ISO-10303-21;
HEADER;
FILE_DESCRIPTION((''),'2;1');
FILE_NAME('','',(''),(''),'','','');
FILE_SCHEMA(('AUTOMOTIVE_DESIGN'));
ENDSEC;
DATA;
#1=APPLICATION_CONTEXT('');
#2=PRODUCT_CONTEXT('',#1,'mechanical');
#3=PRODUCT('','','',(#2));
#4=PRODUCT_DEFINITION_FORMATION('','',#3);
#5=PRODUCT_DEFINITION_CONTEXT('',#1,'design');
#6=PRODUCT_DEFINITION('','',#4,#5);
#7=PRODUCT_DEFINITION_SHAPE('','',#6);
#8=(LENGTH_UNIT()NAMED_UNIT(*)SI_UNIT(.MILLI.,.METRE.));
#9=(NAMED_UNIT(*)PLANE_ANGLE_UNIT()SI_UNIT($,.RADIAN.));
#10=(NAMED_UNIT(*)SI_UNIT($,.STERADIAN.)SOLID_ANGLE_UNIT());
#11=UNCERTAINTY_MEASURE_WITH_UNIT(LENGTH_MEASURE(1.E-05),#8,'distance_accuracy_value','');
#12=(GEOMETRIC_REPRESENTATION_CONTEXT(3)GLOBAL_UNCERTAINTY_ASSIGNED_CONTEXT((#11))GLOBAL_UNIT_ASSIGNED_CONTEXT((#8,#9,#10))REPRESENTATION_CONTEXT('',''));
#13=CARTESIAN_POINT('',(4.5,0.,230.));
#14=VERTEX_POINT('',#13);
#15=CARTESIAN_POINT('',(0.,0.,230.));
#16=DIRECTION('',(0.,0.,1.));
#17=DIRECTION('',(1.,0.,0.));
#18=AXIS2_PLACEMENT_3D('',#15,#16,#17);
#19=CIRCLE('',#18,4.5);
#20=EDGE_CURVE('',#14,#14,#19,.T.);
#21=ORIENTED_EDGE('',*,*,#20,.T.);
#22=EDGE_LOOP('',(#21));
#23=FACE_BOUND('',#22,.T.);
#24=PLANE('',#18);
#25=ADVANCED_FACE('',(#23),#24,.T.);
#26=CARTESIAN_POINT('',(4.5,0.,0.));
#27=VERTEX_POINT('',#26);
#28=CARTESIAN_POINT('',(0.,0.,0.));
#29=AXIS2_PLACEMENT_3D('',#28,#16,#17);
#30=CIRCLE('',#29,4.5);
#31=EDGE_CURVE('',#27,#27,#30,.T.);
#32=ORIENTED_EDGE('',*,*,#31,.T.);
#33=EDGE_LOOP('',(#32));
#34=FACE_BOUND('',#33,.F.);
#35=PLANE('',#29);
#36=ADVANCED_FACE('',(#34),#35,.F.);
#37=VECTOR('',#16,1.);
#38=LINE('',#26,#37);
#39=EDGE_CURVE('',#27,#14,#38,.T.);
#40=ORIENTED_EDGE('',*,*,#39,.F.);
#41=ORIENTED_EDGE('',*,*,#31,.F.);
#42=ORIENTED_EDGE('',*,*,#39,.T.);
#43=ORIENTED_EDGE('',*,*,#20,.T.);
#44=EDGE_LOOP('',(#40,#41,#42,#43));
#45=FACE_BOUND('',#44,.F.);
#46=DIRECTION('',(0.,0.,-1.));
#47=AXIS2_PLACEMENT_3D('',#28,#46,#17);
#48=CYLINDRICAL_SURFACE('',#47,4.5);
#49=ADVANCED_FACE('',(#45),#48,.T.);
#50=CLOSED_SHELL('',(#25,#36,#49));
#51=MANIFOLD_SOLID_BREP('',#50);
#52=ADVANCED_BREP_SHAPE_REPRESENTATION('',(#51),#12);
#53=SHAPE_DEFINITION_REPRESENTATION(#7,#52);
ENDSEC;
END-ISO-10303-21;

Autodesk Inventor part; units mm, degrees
ref_plane "YZ Plane" through (0, 0, 0) normal (1, 0, 0) x (0, 1, 0)
ref_plane "XZ Plane" through (0, 0, 0) normal (0, 1, 0) x (-1, 0, 0)
ref_plane "XY Plane" through (0, 0, 0) normal (0, 0, 1) x (1, 0, 0)
sketch "Sketch1" plane through (0, 0, 0) normal (0, 0, 1) x (1, 0, 0)
  circle A0 centre (0, 0) radius 4.5
  dimension "d0" = 9
extrude "Extrusion1" add sketch "Sketch1" along normal blind 230
thread "Thread1" size "M10x1.5" class "6g" standard "ANSI Metric M Profile" full length
properties part number "ThreadedBar20"
